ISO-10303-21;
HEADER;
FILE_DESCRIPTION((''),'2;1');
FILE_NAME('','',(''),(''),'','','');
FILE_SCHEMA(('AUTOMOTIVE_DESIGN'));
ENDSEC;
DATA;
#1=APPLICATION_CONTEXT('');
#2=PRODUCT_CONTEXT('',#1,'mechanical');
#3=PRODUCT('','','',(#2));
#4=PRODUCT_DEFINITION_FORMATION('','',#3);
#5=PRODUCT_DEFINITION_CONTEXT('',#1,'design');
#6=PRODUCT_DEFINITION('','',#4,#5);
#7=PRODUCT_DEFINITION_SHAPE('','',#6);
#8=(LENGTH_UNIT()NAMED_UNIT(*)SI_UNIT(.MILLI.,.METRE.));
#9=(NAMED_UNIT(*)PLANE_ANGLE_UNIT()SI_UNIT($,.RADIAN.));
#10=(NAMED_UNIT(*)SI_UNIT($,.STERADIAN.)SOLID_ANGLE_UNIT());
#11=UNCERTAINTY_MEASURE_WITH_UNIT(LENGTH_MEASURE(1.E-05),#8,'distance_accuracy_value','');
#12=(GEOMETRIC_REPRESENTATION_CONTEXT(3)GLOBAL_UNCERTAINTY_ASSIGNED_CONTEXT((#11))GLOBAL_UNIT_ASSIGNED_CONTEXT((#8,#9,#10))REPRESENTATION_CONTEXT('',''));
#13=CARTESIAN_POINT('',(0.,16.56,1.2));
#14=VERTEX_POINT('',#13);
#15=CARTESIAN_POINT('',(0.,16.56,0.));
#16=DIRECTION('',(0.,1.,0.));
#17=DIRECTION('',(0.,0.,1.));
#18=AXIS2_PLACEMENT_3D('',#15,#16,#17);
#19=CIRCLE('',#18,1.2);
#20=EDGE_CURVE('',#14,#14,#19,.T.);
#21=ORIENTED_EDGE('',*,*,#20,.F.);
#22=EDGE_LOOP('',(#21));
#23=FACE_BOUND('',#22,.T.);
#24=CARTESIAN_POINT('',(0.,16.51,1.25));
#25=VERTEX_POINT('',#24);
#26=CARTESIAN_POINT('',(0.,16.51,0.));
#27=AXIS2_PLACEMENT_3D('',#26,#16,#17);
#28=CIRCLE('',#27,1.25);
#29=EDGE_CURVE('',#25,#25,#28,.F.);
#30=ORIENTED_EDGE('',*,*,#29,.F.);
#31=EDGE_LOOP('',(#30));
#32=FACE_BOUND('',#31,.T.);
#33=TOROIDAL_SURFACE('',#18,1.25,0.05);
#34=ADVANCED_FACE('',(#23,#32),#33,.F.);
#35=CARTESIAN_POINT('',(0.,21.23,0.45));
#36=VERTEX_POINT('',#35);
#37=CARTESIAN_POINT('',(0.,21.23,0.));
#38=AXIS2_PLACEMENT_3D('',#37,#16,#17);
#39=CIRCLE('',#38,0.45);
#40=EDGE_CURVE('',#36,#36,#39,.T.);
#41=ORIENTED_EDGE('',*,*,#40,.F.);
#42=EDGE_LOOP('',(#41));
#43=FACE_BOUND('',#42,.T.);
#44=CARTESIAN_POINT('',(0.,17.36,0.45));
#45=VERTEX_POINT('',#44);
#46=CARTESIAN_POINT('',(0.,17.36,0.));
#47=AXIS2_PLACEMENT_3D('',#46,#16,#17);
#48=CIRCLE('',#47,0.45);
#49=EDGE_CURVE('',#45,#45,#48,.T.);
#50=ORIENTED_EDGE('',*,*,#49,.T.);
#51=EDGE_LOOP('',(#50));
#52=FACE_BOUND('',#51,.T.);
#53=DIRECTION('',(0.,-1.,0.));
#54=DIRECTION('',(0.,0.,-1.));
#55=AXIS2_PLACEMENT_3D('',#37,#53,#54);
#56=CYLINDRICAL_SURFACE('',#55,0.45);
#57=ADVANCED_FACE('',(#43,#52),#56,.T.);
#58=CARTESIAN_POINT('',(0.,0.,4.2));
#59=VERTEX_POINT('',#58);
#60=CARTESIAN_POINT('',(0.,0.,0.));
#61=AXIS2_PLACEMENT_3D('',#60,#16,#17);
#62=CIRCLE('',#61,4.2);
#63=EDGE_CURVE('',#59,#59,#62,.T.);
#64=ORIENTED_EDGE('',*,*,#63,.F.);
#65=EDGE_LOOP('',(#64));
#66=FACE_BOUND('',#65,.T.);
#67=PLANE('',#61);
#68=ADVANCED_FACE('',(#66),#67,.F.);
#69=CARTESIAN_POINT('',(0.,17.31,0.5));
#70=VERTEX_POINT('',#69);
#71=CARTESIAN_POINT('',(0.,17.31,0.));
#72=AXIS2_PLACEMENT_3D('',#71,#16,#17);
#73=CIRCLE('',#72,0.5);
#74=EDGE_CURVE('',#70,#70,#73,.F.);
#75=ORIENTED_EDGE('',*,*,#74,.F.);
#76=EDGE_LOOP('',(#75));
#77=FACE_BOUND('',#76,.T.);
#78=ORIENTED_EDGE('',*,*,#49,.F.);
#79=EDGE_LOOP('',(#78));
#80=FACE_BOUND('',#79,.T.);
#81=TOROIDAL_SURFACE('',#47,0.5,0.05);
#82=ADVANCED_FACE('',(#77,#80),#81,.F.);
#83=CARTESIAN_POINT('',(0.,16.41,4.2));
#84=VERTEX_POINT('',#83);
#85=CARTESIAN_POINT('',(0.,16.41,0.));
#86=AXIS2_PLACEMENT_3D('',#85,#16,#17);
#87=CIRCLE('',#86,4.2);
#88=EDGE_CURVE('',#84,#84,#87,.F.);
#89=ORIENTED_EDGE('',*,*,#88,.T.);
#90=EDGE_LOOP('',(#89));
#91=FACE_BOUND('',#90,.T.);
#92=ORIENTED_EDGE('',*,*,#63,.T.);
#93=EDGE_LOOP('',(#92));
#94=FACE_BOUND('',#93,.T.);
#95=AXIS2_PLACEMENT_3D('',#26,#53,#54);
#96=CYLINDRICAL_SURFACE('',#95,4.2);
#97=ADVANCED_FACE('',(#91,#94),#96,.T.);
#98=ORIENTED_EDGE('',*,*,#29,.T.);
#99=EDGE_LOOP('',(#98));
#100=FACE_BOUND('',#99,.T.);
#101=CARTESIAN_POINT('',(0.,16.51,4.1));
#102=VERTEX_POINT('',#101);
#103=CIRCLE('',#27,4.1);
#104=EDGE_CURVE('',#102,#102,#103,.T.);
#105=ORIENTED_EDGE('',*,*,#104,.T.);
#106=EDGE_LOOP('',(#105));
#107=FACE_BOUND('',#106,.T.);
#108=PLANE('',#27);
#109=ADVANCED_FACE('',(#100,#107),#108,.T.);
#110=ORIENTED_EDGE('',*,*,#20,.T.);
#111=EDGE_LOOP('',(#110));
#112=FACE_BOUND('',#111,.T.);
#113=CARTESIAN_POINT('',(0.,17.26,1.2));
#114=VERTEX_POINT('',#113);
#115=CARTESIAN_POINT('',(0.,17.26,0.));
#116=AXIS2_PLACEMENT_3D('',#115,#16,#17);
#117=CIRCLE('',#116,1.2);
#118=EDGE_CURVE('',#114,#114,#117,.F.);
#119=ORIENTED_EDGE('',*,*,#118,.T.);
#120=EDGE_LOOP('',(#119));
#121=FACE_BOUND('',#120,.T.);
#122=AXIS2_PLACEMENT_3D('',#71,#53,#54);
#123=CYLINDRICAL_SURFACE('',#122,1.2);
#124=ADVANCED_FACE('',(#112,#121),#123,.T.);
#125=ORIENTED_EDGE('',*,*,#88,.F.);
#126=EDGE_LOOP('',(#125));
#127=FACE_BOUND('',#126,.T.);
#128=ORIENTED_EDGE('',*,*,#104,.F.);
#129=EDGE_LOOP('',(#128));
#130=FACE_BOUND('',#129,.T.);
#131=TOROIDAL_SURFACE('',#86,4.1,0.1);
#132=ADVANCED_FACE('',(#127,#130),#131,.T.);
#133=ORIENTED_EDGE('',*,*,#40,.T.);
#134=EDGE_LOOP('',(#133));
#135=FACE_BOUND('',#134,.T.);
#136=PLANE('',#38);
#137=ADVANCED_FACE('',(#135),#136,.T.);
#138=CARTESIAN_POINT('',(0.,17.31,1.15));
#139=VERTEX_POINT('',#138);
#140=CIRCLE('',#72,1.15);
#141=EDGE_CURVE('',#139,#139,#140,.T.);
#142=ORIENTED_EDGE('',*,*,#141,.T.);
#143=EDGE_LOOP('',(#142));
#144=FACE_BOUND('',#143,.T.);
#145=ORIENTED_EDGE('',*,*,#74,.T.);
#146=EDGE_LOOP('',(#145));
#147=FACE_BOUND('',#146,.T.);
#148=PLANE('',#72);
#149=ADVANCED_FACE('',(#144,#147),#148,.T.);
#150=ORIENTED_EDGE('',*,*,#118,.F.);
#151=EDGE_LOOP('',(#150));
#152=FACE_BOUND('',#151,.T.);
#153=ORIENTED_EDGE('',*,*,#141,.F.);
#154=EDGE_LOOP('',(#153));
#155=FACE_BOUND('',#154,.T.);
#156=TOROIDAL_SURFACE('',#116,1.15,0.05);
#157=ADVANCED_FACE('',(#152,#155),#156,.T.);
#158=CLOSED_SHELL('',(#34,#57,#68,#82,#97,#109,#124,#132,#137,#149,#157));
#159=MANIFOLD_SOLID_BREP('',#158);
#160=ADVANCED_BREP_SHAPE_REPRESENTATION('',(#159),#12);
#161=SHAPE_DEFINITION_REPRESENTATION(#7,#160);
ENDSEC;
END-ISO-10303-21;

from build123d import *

# Parameters (mm, degrees)
SKETCH1_R           = 4.2
BOSS_EXTRUDE1_DEPTH = 16.51
SKETCH2_R           = 1.2
BOSS_EXTRUDE2_DEPTH = 0.8
SKETCH3_R           = 0.45
BOSS_EXTRUDE3_DEPTH = 3.92
FILLET3_R           = 0.05
FILLET4_R           = 0.1


with BuildPart() as part:
    # Sketch1 → Boss-Extrude1 (new body)
    with BuildSketch(Plane(origin=(0, 0, 0), x_dir=(1, 0, 0), z_dir=(0, 1, 0))):
        Circle(SKETCH1_R)
    extrude(amount=BOSS_EXTRUDE1_DEPTH)

    # Sketch2 → Boss-Extrude2 (add)
    with BuildSketch(Plane(origin=(0, 16.51, 0), x_dir=(1, 0, 0), z_dir=(0, 1, 0))):
        Circle(SKETCH2_R)
    extrude(amount=BOSS_EXTRUDE2_DEPTH)

    # Sketch3 → Boss-Extrude3 (add)
    with BuildSketch(Plane(origin=(0, 17.31, 0), x_dir=(1, 0, 0), z_dir=(0, 1, 0))):
        Circle(SKETCH3_R)
    extrude(amount=BOSS_EXTRUDE3_DEPTH)

    # Fillet3
    fillet3_edges = [part.edges().sort_by_distance(p)[0] for p in [
        (-0.45, 17.31, 0),
        (-1.2, 16.51, 0),
        (-1.2, 17.31, 0),
    ]]
    fillet(fillet3_edges, radius=FILLET3_R)

    # Fillet4
    fillet4_edges = [part.edges().sort_by_distance(p)[0] for p in [
        (-4.2, 16.51, 0),
    ]]
    fillet(fillet4_edges, radius=FILLET4_R)


solid = part.part
